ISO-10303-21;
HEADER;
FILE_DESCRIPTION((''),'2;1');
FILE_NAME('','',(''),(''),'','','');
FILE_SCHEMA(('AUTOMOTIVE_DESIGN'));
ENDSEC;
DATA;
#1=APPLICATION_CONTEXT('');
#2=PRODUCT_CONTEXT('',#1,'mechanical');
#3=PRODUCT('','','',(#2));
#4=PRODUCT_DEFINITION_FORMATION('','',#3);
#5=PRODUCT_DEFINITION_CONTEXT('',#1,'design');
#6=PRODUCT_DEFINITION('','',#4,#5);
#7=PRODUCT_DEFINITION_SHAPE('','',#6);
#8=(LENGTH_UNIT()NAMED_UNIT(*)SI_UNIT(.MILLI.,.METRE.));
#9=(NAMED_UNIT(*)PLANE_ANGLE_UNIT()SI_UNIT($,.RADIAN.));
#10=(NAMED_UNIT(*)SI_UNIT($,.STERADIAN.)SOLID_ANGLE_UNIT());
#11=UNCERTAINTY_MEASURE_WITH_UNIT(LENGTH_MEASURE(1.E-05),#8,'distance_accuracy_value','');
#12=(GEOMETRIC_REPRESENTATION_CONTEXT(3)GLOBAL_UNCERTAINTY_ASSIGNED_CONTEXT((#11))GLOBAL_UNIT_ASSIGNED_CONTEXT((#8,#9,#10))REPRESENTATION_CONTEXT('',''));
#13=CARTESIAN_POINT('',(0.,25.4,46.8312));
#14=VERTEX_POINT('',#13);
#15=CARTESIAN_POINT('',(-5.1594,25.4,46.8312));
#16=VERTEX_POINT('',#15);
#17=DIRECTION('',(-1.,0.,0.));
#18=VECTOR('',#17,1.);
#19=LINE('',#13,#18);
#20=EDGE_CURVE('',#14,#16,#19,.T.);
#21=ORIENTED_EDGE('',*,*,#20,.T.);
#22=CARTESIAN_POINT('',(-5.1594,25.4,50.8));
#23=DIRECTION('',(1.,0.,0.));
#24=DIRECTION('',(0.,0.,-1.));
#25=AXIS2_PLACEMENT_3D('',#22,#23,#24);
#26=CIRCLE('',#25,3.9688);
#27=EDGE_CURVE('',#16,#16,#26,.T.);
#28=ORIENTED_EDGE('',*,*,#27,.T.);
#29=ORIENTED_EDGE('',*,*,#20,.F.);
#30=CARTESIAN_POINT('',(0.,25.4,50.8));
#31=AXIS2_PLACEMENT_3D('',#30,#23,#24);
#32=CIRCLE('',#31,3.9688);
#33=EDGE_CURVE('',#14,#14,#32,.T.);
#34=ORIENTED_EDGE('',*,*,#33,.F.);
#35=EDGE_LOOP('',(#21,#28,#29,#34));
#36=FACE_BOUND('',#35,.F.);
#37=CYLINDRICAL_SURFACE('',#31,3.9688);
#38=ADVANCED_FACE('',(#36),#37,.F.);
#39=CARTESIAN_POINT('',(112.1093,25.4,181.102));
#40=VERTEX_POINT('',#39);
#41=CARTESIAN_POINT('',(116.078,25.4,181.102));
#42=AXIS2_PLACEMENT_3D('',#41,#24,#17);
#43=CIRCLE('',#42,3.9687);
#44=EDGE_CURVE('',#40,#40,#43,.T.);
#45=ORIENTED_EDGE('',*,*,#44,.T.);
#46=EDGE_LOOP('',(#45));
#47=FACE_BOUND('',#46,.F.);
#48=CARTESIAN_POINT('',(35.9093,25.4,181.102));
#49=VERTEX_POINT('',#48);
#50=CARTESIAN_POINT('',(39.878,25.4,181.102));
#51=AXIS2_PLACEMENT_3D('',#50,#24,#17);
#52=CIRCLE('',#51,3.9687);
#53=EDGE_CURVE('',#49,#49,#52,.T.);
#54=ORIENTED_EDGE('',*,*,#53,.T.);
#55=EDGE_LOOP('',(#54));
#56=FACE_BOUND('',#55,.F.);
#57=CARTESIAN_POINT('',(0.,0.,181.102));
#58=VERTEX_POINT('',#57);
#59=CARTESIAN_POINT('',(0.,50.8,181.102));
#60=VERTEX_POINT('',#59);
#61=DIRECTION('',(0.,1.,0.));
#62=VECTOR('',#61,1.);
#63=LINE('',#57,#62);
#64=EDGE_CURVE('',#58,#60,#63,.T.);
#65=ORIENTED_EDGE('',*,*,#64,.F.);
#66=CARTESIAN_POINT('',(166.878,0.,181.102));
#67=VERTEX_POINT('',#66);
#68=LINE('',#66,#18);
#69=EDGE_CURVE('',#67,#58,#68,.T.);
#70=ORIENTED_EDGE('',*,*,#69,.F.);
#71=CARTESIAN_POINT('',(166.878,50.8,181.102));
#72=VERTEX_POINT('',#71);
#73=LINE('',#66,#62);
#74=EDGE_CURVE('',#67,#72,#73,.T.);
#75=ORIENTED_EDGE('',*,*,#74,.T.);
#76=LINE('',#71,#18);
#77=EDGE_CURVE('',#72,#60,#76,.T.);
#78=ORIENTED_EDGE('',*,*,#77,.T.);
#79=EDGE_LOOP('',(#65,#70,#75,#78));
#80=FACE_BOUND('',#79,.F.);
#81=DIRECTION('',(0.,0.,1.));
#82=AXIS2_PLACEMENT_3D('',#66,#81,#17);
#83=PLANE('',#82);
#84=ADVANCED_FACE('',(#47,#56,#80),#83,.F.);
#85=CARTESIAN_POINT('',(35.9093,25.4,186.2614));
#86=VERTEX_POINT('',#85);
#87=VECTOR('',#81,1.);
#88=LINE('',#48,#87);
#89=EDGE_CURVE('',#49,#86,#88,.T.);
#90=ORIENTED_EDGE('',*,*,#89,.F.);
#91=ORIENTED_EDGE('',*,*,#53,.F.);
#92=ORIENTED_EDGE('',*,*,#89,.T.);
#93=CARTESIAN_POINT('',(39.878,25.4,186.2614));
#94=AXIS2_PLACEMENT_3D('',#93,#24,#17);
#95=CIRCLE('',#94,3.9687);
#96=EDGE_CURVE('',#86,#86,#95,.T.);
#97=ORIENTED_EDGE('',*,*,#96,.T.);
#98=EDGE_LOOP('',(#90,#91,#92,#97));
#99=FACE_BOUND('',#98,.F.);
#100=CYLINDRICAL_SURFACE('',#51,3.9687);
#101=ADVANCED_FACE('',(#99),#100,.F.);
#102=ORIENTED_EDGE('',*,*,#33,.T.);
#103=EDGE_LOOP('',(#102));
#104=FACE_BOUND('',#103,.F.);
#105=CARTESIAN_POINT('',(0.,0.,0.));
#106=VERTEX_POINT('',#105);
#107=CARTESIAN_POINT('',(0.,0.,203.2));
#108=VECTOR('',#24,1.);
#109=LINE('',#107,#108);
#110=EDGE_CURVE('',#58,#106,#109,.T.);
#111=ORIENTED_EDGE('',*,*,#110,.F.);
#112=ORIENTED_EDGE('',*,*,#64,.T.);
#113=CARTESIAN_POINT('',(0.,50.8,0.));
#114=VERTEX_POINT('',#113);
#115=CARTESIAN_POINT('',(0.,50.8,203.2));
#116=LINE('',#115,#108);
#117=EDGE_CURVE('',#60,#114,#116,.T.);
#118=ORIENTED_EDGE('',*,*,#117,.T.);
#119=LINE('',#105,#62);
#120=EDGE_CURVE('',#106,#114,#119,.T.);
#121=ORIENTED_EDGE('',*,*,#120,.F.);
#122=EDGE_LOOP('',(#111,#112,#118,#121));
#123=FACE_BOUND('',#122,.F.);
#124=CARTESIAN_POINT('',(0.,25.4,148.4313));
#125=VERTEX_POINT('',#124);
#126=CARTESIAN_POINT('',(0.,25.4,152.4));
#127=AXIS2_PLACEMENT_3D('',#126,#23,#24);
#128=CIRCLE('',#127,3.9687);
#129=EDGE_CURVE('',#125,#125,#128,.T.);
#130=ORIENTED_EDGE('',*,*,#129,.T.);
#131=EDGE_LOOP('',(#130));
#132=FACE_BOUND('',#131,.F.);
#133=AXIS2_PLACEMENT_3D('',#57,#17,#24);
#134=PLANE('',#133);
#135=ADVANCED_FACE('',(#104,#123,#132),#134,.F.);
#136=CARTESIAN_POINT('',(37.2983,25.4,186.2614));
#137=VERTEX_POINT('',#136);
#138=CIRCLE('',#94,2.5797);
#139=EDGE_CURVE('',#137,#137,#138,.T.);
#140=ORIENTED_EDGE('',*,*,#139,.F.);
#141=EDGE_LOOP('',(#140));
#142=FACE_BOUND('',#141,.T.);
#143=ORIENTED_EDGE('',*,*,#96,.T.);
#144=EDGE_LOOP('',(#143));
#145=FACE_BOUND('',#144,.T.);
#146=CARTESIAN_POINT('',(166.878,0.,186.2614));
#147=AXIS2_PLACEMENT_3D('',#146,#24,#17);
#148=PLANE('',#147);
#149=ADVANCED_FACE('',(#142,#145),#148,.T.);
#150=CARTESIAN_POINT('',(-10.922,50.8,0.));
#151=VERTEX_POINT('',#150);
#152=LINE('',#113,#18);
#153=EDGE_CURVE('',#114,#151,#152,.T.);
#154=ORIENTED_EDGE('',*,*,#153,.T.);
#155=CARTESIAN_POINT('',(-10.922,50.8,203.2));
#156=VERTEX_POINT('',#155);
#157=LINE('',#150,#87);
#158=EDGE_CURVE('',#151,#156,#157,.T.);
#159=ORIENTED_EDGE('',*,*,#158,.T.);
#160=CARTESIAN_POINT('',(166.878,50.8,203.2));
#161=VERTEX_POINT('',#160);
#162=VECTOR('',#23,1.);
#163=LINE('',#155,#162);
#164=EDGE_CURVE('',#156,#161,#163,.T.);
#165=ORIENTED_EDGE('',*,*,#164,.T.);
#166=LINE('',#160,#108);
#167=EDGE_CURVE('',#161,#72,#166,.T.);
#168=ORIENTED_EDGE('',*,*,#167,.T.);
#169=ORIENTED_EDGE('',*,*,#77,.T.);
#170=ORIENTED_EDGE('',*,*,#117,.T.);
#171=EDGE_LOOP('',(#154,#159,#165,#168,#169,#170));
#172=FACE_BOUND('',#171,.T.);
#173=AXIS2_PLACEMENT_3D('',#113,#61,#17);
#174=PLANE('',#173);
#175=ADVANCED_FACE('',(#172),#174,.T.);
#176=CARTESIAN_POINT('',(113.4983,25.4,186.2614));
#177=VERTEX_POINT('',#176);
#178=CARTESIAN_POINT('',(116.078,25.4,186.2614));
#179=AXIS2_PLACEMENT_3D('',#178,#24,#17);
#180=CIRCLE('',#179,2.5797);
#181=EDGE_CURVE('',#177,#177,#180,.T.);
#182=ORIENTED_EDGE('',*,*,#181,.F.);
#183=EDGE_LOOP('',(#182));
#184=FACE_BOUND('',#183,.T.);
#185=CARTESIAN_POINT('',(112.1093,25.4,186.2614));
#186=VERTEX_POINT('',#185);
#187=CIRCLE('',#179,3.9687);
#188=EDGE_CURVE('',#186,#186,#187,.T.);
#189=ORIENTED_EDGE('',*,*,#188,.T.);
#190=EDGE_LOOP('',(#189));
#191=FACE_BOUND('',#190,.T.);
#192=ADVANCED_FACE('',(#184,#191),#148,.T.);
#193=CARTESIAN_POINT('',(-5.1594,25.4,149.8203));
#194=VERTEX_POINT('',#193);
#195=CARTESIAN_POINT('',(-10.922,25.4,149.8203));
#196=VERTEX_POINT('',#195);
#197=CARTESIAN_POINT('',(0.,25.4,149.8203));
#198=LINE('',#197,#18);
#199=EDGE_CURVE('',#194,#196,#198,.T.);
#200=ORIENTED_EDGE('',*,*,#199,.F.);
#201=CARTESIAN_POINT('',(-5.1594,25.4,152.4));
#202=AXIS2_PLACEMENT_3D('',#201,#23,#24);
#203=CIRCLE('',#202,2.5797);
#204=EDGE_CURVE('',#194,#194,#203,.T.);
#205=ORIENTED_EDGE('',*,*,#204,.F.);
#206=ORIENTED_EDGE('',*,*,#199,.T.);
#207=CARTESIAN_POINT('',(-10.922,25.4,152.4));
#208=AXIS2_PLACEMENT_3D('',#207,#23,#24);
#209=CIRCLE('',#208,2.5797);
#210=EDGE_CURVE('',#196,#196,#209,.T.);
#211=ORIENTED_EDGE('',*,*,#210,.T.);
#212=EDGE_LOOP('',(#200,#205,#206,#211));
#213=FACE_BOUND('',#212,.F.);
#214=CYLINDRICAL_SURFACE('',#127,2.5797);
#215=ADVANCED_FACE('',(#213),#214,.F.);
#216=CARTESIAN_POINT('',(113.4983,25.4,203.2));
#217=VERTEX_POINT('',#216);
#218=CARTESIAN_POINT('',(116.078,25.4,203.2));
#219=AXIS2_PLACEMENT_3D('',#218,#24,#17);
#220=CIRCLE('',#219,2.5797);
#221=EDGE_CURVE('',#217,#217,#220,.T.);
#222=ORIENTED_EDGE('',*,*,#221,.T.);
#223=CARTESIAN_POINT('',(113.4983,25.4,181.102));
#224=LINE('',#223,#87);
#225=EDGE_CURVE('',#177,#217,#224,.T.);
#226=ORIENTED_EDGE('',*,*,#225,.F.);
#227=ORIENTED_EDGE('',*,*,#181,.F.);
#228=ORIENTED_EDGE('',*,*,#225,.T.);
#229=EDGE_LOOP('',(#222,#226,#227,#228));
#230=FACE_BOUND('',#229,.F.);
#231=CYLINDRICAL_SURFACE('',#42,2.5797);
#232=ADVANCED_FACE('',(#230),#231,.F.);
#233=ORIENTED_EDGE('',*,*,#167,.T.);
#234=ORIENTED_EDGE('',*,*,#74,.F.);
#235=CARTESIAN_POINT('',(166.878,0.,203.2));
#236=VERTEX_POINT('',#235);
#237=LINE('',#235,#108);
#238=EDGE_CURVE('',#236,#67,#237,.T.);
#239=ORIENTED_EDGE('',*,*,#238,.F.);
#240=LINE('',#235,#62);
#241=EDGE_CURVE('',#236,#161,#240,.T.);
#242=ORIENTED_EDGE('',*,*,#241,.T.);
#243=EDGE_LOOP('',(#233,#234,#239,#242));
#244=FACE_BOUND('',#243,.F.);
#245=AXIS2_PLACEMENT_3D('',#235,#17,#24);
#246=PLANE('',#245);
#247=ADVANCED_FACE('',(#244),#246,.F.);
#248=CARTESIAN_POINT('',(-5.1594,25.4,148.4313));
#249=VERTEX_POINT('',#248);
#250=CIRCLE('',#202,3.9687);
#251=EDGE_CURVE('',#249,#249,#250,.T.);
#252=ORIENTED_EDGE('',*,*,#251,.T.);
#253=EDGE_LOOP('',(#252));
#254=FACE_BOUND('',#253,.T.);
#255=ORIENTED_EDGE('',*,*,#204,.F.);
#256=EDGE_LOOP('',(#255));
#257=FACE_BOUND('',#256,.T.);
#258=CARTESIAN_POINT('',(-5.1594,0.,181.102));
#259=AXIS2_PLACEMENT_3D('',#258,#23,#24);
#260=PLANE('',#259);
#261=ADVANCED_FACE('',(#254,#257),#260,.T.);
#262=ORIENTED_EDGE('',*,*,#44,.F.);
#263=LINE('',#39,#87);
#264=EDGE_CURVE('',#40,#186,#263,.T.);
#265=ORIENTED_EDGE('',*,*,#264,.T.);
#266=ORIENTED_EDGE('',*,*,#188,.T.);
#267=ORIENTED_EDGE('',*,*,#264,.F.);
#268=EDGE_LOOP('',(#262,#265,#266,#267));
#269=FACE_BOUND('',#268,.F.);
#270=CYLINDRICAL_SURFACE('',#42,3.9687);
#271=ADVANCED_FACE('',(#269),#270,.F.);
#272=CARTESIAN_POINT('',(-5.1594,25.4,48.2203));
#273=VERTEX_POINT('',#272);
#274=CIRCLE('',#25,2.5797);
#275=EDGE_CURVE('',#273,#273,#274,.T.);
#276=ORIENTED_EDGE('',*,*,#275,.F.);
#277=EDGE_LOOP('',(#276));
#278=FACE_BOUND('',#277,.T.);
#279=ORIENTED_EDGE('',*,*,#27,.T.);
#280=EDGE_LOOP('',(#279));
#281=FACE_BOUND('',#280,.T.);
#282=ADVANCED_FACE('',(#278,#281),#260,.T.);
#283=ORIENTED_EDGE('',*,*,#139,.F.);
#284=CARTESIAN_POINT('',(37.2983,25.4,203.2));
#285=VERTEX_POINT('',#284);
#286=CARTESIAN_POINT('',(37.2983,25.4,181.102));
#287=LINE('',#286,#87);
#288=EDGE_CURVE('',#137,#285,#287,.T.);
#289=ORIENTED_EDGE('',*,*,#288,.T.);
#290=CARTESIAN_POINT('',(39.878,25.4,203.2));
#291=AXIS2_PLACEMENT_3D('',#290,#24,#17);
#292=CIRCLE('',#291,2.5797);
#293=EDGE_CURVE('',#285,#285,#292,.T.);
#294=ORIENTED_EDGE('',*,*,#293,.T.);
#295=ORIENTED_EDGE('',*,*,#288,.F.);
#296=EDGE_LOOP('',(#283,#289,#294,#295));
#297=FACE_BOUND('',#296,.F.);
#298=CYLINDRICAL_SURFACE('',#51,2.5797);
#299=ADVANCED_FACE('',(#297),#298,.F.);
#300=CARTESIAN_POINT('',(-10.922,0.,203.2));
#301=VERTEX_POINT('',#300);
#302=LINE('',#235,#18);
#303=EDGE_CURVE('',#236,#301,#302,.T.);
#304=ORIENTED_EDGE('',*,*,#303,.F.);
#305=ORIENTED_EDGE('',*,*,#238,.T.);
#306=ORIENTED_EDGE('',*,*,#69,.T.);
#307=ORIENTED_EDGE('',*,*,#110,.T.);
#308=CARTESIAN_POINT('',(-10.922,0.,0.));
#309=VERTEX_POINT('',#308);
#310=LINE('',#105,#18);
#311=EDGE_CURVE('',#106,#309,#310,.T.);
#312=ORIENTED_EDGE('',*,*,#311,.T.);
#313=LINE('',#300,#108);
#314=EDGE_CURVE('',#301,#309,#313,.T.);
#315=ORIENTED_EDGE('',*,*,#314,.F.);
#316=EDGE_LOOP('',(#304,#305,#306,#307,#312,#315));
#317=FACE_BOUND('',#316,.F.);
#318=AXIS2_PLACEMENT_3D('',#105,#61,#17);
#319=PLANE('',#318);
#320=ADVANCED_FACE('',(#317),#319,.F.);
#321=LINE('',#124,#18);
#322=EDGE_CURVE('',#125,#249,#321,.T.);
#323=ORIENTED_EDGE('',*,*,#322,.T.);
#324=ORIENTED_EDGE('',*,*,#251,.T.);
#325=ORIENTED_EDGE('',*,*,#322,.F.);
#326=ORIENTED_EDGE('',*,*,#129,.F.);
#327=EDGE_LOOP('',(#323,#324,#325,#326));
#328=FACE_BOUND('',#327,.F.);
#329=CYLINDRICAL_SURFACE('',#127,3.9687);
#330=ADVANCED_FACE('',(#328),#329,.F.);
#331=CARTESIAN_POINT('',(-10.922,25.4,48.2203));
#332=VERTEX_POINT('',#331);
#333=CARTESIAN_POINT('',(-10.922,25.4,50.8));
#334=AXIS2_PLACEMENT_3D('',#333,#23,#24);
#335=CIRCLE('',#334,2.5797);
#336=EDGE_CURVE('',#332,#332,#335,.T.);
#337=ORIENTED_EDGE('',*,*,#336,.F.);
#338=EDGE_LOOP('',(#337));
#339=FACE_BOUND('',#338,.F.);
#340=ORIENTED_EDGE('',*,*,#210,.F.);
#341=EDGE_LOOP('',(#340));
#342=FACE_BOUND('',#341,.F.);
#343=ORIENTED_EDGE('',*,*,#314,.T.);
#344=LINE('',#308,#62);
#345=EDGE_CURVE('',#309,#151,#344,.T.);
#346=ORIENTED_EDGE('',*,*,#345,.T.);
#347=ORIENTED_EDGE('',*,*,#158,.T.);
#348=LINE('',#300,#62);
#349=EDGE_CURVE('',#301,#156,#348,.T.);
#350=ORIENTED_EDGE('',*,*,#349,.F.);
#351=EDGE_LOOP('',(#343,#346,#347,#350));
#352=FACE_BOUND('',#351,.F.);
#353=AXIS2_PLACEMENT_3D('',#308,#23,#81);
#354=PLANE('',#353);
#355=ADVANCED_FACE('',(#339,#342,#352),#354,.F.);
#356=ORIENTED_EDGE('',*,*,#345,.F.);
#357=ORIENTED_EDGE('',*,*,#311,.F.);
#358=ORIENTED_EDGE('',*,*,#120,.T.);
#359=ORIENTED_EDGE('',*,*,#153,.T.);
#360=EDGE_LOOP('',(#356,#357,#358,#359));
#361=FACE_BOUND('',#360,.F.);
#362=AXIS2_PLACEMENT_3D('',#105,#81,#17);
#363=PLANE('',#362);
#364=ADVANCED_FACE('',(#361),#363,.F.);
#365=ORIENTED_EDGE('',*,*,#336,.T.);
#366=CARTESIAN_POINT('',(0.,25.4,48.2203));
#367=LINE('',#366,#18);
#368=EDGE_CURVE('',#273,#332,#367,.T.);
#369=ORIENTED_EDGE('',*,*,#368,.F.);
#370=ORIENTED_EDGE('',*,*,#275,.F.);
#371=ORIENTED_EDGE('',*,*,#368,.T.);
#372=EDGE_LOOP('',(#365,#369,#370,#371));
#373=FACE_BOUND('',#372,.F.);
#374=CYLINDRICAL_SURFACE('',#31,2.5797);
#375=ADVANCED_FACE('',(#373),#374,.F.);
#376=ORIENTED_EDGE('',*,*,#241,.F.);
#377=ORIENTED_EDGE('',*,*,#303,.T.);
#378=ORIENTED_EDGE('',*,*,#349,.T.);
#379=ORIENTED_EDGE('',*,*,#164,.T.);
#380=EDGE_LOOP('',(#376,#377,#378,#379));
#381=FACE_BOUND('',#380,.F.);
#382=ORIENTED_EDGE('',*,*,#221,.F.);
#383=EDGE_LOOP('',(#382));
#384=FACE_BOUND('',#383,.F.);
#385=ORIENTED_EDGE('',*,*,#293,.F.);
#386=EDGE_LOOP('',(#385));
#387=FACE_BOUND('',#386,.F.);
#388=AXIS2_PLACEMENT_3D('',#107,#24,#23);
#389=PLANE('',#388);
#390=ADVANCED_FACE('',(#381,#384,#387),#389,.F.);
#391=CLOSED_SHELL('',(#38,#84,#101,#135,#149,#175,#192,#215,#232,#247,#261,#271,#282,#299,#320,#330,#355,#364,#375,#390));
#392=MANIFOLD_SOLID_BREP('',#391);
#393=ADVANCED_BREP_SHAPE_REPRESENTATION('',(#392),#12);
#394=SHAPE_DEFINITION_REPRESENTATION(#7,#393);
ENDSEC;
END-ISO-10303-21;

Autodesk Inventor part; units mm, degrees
ref_plane "YZ Plane" through (0, 0, 0) normal (1, 0, 0) x (0, 1, 0)
ref_plane "XZ Plane" through (0, 0, 0) normal (0, 1, 0) x (-1, 0, 0)
ref_plane "XY Plane" through (0, 0, 0) normal (0, 0, 1) x (1, 0, 0)
sketch "Sketch1" plane through (0, 0, 0) normal (0, 1, 0) x (-1, 0, 0)
  line L0 (0, 0) -> (10.922, 0)
  line L1 (10.922, 0) -> (10.922, 203.2)
  line L2 (10.922, 203.2) -> (0, 203.2)
  line L3 (0, 203.2) -> (0, 0)
  line L4 (10.922, 203.2) -> (-166.878, 203.2)
  line L5 (-166.878, 203.2) -> (-166.878, 181.102)
  line L6 (-166.878, 181.102) -> (10.922, 181.102)
  line L7 (10.922, 181.102) -> (10.922, 203.2)
  point P0 (0, 181.102)
  dimension "d0" = 10.922
  dimension "d1" = 203.2
  dimension "d16" = 177.8
  dimension "d17" = 22.098
extrude "Extrusion1" add sketch "Sketch1" along normal blind 50.8
sketch "Sketch3" plane through (0, 0, 181.102) normal (1, 0, 0) x (0, 0, -1)
  circle A0 centre (28.702, 25.4) radius 2.5797
  circle A1 centre (130.302, 25.4) radius 2.5797
  line L0 (181.102, 0) -> (181.102, 50.8) projected
  line L1 (0, 0) -> (181.102, 0) projected
  circle A2 centre (130.302, 25.4) radius 3.9688
  circle A3 centre (28.702, 25.4) radius 3.9687
  dimension "d18" = 5.1594
  dimension "d19" = 5.1594
  dimension "d20" = 0
  dimension "d21" = 101.6
  dimension "d22" = 50.8
  dimension "d23" = 25.4
  dimension "d24" = 7.9375
  dimension "d25" = 7.9375
sketch "Sketch4" plane through (166.878, 0, 181.102) normal (0, 0, -1) x (-1, 0, 0)
  circle A0 centre (50.8, 25.4) radius 2.5797
  circle A1 centre (127, 25.4) radius 2.5797
  line L0 (0, 0) -> (0, 50.8) projected
  circle A2 centre (50.8, 25.4) radius 3.9687
  circle A3 centre (127, 25.4) radius 3.9687
  line L1 (0, 0) -> (166.878, 0) projected
  dimension "d26" = 5.1594
  dimension "d27" = 5.1594
  dimension "d28" = 0
  dimension "d29" = 76.2
  dimension "d30" = 50.8
  dimension "d31" = 7.9375
  dimension "d32" = 7.9375
  dimension "d33" = 25.4
extrude "Extrusion4" cut sketch "Sketch4" against normal through all contours A0 | A1
extrude "Extrusion5" cut sketch "Sketch4" against normal blind 5.1594 contours A0 | A1 | A2 | A3
extrude "Extrusion6" cut sketch "Sketch3" against normal blind 5.1594 contours A0 | A1 | A2 | A3
extrude "Extrusion7" cut sketch "Sketch3" against normal through all contours A0 | A1
equation "\"d19\" = d18"
equation "\"d26\" = d18"
equation "\"d27\" = d26"
equation "\"d31\" = d24"
equation "\"d32\" = d31"
properties part number "battery shim"
